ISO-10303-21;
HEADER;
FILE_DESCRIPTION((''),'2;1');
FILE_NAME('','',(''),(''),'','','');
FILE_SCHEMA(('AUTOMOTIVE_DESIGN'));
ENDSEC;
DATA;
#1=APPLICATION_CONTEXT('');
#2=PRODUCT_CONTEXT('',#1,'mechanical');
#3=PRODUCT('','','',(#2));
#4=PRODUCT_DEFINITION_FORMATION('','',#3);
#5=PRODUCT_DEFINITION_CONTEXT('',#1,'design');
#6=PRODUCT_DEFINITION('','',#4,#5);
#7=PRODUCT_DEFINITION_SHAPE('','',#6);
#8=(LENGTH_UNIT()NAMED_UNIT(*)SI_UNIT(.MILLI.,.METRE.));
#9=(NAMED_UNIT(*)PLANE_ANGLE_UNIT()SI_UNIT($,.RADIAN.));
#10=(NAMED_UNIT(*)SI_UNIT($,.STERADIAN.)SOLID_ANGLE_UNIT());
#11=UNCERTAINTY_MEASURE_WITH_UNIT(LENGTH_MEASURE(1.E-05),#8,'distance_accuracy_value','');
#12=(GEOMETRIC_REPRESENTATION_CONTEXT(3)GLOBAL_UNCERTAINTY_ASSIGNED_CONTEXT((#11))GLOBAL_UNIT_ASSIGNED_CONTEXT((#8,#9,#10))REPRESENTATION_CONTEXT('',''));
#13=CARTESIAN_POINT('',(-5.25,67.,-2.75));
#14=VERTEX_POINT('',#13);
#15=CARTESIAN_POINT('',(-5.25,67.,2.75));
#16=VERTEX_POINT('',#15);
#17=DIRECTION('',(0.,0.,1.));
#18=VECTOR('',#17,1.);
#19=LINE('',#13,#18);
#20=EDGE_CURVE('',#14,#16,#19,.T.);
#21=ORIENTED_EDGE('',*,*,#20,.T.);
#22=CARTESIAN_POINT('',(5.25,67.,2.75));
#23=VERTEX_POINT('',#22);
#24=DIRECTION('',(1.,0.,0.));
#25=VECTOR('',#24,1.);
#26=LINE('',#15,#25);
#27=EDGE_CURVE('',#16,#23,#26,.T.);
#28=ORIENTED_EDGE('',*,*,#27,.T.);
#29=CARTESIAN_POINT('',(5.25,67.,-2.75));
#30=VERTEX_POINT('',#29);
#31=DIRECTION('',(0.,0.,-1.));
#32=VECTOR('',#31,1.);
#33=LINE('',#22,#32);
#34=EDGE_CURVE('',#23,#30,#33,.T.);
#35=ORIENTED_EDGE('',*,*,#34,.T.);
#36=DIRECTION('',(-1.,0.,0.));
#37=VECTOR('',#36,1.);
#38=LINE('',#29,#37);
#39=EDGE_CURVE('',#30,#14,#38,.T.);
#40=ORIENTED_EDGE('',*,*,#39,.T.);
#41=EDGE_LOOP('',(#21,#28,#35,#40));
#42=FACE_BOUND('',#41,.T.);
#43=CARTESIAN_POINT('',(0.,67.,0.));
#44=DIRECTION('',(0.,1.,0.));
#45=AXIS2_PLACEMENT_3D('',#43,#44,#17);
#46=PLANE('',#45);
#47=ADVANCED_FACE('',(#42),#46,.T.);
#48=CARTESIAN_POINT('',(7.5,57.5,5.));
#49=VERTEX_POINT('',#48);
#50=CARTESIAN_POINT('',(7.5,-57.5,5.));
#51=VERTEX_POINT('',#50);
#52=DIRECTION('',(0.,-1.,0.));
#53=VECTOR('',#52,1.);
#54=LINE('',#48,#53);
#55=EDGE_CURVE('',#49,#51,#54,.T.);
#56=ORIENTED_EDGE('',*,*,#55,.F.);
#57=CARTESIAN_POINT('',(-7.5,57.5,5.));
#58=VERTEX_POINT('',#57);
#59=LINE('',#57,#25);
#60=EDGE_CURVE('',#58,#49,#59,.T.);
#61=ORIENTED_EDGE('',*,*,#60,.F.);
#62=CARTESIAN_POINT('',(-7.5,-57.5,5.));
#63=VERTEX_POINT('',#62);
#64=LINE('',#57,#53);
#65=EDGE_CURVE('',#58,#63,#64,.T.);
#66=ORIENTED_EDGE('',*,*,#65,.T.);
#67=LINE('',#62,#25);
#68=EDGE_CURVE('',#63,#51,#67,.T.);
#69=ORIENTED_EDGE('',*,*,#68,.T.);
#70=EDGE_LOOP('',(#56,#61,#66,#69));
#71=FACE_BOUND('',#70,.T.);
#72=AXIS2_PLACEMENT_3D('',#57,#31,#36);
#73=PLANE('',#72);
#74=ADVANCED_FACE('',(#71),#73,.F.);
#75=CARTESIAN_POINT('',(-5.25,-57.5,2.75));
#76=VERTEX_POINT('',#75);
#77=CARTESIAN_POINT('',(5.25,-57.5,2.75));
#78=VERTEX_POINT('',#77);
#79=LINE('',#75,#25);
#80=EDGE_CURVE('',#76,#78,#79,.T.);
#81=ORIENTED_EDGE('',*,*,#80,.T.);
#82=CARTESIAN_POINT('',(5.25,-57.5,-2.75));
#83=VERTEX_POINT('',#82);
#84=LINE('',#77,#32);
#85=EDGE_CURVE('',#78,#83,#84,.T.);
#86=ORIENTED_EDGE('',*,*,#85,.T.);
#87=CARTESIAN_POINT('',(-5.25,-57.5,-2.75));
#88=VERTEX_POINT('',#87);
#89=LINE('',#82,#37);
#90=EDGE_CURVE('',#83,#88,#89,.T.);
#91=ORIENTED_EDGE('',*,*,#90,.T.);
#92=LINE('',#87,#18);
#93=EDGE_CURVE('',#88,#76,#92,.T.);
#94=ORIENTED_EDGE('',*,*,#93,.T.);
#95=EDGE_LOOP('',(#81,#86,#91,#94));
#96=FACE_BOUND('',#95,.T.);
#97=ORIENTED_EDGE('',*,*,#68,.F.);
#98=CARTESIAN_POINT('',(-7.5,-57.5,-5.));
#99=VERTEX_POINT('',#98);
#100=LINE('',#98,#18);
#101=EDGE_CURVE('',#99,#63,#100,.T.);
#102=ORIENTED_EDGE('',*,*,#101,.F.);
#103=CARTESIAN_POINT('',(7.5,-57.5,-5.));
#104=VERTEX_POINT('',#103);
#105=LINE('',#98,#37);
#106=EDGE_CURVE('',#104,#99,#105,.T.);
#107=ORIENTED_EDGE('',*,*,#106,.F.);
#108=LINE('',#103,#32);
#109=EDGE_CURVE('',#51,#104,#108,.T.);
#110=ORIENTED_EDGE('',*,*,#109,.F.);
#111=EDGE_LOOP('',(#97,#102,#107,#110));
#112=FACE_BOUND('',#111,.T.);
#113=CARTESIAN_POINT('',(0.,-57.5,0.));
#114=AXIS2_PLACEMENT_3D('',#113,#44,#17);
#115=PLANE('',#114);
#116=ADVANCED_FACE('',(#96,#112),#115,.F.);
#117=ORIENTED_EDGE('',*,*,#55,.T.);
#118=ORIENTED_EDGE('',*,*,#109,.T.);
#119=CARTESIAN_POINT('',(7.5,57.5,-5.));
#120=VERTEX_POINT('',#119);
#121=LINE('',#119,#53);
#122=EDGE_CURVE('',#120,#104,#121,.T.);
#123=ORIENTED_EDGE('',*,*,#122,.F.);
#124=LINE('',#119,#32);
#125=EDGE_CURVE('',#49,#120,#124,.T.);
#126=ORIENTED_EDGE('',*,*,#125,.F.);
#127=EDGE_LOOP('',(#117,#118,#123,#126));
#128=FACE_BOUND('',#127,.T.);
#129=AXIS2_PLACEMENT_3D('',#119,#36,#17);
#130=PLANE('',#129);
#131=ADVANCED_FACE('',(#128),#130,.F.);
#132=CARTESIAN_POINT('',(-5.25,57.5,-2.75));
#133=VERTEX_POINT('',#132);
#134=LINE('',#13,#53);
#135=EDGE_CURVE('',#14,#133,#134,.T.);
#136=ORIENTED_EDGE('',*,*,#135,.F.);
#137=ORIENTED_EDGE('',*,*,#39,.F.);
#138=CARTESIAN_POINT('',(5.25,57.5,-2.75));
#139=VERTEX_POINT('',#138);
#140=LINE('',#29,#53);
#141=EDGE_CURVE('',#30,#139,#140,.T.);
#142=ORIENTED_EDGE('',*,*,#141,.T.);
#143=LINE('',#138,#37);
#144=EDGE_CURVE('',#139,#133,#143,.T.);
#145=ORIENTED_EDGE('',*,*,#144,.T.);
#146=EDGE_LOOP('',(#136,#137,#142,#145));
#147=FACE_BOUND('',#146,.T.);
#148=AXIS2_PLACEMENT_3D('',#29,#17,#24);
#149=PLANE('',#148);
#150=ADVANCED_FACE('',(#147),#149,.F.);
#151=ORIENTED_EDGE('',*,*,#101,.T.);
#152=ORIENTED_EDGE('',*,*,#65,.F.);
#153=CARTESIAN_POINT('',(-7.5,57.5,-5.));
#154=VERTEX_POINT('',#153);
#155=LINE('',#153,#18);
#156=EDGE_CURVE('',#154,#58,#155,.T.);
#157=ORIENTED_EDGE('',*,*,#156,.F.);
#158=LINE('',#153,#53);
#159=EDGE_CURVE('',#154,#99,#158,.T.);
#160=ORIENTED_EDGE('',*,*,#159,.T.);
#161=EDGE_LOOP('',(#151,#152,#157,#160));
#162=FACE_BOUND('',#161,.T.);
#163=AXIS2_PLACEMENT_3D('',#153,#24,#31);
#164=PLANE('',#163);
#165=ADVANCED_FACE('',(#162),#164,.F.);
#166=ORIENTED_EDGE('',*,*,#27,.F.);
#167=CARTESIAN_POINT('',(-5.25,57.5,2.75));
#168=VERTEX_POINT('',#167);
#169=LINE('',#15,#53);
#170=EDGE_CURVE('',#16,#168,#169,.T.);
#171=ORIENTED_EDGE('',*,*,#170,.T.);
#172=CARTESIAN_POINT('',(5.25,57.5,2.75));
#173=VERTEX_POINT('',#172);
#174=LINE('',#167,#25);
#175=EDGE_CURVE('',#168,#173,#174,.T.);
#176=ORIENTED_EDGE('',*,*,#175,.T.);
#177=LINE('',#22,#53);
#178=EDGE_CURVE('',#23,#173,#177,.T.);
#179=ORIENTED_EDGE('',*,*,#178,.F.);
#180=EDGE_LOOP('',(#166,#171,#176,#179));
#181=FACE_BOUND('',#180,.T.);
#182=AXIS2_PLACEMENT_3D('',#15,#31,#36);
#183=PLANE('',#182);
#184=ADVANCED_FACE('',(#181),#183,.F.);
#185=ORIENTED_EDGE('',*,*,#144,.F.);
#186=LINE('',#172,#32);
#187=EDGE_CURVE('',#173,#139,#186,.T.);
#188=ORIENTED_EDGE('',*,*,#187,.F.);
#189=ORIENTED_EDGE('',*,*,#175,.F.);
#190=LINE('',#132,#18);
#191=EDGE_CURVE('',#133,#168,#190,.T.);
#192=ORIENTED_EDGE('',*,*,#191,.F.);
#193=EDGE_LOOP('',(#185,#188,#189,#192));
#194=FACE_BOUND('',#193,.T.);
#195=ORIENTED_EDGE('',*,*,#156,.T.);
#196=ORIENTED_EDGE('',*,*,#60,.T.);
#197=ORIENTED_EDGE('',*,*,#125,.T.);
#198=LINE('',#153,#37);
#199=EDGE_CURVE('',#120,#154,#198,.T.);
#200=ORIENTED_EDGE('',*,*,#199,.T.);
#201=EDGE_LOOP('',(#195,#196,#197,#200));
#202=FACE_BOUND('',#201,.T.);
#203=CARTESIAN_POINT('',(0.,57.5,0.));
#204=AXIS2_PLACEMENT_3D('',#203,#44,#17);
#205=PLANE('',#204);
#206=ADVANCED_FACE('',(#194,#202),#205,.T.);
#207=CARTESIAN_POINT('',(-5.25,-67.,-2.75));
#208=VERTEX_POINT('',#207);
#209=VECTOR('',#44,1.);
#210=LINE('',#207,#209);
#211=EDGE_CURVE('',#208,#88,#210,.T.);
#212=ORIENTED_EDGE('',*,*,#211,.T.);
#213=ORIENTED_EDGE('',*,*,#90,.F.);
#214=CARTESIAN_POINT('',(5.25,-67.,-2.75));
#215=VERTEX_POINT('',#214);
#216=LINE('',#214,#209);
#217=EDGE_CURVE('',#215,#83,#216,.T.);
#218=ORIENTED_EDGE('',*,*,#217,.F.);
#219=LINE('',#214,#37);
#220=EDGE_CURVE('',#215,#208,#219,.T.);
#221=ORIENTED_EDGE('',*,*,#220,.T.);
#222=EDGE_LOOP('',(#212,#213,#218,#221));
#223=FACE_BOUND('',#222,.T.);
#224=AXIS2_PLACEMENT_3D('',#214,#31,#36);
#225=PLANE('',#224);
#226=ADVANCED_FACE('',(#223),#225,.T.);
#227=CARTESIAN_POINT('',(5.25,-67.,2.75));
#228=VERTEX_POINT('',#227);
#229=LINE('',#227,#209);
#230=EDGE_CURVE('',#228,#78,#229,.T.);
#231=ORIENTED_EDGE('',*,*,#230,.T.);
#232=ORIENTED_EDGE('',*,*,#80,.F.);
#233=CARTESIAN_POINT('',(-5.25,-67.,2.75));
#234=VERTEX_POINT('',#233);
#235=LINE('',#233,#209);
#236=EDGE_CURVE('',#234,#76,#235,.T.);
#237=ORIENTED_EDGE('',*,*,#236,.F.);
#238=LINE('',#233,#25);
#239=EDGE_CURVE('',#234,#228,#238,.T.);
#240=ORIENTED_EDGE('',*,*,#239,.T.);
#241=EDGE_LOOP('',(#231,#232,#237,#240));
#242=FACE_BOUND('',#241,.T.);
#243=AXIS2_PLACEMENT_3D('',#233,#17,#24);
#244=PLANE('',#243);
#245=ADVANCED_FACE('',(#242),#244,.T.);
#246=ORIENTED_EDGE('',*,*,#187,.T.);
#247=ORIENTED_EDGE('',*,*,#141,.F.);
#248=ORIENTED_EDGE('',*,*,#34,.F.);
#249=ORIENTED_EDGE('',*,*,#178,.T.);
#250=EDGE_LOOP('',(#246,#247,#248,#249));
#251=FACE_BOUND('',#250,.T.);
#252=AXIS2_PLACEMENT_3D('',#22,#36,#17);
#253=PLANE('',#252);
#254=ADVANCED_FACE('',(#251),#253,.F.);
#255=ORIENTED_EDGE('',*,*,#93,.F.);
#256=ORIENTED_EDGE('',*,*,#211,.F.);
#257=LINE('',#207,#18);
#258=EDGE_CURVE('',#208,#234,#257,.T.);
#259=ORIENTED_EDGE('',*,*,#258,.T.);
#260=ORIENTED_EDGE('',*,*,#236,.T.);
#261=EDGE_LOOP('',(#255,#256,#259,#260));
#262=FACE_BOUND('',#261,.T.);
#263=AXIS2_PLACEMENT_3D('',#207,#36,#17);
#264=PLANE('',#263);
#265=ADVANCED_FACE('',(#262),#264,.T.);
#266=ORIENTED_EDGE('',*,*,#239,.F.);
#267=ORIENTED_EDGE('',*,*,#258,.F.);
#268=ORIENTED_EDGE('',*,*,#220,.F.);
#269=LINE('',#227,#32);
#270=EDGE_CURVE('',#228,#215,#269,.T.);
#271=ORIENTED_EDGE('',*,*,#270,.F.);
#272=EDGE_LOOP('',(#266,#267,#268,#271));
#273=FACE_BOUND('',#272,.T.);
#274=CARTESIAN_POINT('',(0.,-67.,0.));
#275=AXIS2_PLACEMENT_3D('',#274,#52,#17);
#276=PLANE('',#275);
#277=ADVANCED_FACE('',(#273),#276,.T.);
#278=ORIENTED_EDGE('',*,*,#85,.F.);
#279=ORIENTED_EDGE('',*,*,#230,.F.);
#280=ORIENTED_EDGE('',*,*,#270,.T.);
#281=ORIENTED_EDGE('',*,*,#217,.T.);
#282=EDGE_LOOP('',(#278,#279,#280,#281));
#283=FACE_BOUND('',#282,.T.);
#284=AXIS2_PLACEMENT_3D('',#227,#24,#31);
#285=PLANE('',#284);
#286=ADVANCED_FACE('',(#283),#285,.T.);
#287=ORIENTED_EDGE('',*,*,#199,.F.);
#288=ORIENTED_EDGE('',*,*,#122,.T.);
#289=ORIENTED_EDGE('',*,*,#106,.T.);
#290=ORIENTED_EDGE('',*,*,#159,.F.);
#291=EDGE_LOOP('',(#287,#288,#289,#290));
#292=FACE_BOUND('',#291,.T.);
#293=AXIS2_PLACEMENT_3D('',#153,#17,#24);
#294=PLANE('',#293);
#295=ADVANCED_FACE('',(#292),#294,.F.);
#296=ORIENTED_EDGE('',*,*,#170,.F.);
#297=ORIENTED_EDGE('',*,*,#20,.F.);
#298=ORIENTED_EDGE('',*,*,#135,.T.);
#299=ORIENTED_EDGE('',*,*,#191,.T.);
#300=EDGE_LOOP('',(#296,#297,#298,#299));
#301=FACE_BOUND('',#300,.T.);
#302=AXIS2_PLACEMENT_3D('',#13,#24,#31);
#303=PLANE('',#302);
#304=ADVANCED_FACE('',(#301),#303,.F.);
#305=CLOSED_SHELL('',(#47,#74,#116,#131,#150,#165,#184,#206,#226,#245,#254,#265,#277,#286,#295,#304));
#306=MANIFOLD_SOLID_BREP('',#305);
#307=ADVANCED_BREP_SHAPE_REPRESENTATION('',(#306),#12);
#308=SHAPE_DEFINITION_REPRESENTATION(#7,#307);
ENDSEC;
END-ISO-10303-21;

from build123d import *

# Parameters (mm, degrees)
SKETCH1_W           = 15
SKETCH1_H           = 10
BOSS_EXTRUDE1_DEPTH = 57.5
SKETCH2_W           = 10.5
SKETCH2_H           = 5.5
BOSS_EXTRUDE2_DEPTH = 9.5


with BuildPart() as part:
    # Sketch1 → Boss-Extrude1 (new, symmetric)
    with BuildSketch(Plane(origin=(0, 0, 0), x_dir=(1, 0, 0), z_dir=(0, 1, 0))):
        Rectangle(SKETCH1_W, SKETCH1_H)
    extrude(amount=BOSS_EXTRUDE1_DEPTH, both=True)

    # Sketch2 → Boss-Extrude2 (add)
    with BuildSketch(Plane(origin=(0, 57.5, 0), x_dir=(1, 0, 0), z_dir=(0, 1, 0))):
        Rectangle(SKETCH2_W, SKETCH2_H)
    boss_extrude2 = extrude(amount=BOSS_EXTRUDE2_DEPTH)

    # Mirror1: Boss-Extrude2 across plane
    add(boss_extrude2.mirror(Plane.ZX))


solid = part.part
